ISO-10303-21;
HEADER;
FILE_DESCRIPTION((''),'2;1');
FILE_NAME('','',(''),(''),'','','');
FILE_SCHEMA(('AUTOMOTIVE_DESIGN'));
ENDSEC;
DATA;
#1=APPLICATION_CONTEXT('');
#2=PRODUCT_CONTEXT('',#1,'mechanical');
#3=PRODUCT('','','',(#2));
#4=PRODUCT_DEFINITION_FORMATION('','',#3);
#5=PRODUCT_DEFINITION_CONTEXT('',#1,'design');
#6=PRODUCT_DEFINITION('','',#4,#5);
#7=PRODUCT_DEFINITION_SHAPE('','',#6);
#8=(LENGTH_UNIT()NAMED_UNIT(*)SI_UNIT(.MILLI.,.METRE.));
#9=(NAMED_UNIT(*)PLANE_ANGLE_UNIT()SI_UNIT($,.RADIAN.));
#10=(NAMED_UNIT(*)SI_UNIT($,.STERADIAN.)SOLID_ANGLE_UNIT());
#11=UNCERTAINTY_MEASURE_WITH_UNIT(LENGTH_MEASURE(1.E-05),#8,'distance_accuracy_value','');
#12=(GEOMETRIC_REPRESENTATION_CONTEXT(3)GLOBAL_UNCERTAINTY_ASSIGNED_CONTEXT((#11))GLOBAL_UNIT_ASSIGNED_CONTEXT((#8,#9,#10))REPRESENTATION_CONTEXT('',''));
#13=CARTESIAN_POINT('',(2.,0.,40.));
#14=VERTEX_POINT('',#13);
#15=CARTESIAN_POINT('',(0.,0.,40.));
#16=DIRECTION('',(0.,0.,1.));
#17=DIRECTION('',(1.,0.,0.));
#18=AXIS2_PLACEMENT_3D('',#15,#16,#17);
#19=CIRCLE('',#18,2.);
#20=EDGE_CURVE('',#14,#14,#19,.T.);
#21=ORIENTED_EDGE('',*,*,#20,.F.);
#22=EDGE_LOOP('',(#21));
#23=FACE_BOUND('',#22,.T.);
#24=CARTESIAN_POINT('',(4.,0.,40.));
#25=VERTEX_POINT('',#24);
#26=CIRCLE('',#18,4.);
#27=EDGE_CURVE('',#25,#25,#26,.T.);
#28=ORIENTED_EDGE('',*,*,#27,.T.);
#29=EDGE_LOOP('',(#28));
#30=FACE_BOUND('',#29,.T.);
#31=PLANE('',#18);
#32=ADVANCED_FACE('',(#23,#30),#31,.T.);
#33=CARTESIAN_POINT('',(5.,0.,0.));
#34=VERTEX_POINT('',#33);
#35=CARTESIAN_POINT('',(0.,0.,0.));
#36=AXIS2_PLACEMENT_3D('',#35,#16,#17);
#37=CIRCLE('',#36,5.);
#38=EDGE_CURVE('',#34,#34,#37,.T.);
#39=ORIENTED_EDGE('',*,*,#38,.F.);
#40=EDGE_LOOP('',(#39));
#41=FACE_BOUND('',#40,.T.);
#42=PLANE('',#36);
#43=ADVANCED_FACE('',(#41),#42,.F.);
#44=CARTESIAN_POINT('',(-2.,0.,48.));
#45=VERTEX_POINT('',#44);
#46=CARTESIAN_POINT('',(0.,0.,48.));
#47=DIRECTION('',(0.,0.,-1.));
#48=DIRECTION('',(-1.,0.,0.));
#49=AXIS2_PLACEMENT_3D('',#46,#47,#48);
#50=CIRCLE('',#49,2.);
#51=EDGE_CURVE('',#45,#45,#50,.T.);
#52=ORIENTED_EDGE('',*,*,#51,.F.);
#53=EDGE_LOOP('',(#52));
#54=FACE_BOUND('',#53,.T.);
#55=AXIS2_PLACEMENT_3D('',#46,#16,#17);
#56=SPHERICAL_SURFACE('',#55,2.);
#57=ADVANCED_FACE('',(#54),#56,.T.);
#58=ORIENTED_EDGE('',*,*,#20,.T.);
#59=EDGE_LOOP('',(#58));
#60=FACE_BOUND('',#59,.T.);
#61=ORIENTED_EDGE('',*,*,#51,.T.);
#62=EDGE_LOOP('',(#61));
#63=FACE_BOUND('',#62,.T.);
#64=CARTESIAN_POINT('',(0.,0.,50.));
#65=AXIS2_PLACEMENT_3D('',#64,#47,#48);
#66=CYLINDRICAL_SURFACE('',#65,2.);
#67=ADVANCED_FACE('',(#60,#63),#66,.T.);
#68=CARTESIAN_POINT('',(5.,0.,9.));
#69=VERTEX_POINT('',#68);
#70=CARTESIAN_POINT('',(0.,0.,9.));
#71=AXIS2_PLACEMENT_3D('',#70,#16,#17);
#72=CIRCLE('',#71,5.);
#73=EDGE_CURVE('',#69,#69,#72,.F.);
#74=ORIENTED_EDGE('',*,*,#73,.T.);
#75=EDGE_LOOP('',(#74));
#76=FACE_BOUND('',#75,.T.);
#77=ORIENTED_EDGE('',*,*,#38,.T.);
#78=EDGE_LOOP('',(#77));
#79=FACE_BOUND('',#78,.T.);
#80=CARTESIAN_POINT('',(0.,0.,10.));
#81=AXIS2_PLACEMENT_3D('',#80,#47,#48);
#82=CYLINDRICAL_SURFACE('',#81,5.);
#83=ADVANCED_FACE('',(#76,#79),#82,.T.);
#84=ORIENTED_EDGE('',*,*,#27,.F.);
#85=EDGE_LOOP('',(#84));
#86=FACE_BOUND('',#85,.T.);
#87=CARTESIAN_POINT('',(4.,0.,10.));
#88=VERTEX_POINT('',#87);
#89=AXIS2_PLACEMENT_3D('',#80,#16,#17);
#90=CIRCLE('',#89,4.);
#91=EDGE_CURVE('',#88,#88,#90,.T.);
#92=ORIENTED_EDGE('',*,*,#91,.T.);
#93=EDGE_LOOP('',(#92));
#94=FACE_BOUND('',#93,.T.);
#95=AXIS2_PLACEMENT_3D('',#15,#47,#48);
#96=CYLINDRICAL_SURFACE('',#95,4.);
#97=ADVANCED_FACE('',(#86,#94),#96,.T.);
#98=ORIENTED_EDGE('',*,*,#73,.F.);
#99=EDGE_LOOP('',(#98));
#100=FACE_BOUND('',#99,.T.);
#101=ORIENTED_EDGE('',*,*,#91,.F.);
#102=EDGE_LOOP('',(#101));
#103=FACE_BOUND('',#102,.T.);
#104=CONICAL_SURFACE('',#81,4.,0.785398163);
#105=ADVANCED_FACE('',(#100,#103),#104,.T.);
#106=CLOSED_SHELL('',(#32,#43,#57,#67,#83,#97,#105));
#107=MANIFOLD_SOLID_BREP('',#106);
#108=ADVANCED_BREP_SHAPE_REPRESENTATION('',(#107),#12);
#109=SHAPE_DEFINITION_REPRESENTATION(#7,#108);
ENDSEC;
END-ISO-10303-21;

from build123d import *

# Parameters (mm, degrees)
SKETCH_1_R      = 5
EXTRUDE_1_DEPTH = 10
CHAMFER_1_SIZE  = 1
SKETCH_2_R      = 4
EXTRUDE_2_DEPTH = 30
SKETCH_3_R      = 2
EXTRUDE_3_DEPTH = 10
FILLET_1_R      = 2


with BuildPart() as part:
    # Эскиз1 → Бобышка-Вытянуть1 (new body)
    with BuildSketch(Plane.XY):
        Circle(SKETCH_1_R)
    extrude(amount=EXTRUDE_1_DEPTH)

    # Фаска1
    chamfer_1_edges = [part.edges().sort_by_distance(p)[0] for p in [
        (-5, 0, 10),
    ]]
    chamfer(chamfer_1_edges, length=CHAMFER_1_SIZE)

    # Эскиз2 → Бобышка-Вытянуть2 (add)
    with BuildSketch(Plane.XY.offset(10)):
        Circle(SKETCH_2_R)
    extrude(amount=EXTRUDE_2_DEPTH)

    # Эскиз3 → Бобышка-Вытянуть3 (add)
    with BuildSketch(Plane.XY.offset(40)):
        Circle(SKETCH_3_R)
    extrude(amount=EXTRUDE_3_DEPTH)

    # Скругление1
    fillet_1_edges = [part.edges().sort_by_distance(p)[0] for p in [
        (-2, 0, 50),
    ]]
    fillet(fillet_1_edges, radius=FILLET_1_R)


solid = part.part
